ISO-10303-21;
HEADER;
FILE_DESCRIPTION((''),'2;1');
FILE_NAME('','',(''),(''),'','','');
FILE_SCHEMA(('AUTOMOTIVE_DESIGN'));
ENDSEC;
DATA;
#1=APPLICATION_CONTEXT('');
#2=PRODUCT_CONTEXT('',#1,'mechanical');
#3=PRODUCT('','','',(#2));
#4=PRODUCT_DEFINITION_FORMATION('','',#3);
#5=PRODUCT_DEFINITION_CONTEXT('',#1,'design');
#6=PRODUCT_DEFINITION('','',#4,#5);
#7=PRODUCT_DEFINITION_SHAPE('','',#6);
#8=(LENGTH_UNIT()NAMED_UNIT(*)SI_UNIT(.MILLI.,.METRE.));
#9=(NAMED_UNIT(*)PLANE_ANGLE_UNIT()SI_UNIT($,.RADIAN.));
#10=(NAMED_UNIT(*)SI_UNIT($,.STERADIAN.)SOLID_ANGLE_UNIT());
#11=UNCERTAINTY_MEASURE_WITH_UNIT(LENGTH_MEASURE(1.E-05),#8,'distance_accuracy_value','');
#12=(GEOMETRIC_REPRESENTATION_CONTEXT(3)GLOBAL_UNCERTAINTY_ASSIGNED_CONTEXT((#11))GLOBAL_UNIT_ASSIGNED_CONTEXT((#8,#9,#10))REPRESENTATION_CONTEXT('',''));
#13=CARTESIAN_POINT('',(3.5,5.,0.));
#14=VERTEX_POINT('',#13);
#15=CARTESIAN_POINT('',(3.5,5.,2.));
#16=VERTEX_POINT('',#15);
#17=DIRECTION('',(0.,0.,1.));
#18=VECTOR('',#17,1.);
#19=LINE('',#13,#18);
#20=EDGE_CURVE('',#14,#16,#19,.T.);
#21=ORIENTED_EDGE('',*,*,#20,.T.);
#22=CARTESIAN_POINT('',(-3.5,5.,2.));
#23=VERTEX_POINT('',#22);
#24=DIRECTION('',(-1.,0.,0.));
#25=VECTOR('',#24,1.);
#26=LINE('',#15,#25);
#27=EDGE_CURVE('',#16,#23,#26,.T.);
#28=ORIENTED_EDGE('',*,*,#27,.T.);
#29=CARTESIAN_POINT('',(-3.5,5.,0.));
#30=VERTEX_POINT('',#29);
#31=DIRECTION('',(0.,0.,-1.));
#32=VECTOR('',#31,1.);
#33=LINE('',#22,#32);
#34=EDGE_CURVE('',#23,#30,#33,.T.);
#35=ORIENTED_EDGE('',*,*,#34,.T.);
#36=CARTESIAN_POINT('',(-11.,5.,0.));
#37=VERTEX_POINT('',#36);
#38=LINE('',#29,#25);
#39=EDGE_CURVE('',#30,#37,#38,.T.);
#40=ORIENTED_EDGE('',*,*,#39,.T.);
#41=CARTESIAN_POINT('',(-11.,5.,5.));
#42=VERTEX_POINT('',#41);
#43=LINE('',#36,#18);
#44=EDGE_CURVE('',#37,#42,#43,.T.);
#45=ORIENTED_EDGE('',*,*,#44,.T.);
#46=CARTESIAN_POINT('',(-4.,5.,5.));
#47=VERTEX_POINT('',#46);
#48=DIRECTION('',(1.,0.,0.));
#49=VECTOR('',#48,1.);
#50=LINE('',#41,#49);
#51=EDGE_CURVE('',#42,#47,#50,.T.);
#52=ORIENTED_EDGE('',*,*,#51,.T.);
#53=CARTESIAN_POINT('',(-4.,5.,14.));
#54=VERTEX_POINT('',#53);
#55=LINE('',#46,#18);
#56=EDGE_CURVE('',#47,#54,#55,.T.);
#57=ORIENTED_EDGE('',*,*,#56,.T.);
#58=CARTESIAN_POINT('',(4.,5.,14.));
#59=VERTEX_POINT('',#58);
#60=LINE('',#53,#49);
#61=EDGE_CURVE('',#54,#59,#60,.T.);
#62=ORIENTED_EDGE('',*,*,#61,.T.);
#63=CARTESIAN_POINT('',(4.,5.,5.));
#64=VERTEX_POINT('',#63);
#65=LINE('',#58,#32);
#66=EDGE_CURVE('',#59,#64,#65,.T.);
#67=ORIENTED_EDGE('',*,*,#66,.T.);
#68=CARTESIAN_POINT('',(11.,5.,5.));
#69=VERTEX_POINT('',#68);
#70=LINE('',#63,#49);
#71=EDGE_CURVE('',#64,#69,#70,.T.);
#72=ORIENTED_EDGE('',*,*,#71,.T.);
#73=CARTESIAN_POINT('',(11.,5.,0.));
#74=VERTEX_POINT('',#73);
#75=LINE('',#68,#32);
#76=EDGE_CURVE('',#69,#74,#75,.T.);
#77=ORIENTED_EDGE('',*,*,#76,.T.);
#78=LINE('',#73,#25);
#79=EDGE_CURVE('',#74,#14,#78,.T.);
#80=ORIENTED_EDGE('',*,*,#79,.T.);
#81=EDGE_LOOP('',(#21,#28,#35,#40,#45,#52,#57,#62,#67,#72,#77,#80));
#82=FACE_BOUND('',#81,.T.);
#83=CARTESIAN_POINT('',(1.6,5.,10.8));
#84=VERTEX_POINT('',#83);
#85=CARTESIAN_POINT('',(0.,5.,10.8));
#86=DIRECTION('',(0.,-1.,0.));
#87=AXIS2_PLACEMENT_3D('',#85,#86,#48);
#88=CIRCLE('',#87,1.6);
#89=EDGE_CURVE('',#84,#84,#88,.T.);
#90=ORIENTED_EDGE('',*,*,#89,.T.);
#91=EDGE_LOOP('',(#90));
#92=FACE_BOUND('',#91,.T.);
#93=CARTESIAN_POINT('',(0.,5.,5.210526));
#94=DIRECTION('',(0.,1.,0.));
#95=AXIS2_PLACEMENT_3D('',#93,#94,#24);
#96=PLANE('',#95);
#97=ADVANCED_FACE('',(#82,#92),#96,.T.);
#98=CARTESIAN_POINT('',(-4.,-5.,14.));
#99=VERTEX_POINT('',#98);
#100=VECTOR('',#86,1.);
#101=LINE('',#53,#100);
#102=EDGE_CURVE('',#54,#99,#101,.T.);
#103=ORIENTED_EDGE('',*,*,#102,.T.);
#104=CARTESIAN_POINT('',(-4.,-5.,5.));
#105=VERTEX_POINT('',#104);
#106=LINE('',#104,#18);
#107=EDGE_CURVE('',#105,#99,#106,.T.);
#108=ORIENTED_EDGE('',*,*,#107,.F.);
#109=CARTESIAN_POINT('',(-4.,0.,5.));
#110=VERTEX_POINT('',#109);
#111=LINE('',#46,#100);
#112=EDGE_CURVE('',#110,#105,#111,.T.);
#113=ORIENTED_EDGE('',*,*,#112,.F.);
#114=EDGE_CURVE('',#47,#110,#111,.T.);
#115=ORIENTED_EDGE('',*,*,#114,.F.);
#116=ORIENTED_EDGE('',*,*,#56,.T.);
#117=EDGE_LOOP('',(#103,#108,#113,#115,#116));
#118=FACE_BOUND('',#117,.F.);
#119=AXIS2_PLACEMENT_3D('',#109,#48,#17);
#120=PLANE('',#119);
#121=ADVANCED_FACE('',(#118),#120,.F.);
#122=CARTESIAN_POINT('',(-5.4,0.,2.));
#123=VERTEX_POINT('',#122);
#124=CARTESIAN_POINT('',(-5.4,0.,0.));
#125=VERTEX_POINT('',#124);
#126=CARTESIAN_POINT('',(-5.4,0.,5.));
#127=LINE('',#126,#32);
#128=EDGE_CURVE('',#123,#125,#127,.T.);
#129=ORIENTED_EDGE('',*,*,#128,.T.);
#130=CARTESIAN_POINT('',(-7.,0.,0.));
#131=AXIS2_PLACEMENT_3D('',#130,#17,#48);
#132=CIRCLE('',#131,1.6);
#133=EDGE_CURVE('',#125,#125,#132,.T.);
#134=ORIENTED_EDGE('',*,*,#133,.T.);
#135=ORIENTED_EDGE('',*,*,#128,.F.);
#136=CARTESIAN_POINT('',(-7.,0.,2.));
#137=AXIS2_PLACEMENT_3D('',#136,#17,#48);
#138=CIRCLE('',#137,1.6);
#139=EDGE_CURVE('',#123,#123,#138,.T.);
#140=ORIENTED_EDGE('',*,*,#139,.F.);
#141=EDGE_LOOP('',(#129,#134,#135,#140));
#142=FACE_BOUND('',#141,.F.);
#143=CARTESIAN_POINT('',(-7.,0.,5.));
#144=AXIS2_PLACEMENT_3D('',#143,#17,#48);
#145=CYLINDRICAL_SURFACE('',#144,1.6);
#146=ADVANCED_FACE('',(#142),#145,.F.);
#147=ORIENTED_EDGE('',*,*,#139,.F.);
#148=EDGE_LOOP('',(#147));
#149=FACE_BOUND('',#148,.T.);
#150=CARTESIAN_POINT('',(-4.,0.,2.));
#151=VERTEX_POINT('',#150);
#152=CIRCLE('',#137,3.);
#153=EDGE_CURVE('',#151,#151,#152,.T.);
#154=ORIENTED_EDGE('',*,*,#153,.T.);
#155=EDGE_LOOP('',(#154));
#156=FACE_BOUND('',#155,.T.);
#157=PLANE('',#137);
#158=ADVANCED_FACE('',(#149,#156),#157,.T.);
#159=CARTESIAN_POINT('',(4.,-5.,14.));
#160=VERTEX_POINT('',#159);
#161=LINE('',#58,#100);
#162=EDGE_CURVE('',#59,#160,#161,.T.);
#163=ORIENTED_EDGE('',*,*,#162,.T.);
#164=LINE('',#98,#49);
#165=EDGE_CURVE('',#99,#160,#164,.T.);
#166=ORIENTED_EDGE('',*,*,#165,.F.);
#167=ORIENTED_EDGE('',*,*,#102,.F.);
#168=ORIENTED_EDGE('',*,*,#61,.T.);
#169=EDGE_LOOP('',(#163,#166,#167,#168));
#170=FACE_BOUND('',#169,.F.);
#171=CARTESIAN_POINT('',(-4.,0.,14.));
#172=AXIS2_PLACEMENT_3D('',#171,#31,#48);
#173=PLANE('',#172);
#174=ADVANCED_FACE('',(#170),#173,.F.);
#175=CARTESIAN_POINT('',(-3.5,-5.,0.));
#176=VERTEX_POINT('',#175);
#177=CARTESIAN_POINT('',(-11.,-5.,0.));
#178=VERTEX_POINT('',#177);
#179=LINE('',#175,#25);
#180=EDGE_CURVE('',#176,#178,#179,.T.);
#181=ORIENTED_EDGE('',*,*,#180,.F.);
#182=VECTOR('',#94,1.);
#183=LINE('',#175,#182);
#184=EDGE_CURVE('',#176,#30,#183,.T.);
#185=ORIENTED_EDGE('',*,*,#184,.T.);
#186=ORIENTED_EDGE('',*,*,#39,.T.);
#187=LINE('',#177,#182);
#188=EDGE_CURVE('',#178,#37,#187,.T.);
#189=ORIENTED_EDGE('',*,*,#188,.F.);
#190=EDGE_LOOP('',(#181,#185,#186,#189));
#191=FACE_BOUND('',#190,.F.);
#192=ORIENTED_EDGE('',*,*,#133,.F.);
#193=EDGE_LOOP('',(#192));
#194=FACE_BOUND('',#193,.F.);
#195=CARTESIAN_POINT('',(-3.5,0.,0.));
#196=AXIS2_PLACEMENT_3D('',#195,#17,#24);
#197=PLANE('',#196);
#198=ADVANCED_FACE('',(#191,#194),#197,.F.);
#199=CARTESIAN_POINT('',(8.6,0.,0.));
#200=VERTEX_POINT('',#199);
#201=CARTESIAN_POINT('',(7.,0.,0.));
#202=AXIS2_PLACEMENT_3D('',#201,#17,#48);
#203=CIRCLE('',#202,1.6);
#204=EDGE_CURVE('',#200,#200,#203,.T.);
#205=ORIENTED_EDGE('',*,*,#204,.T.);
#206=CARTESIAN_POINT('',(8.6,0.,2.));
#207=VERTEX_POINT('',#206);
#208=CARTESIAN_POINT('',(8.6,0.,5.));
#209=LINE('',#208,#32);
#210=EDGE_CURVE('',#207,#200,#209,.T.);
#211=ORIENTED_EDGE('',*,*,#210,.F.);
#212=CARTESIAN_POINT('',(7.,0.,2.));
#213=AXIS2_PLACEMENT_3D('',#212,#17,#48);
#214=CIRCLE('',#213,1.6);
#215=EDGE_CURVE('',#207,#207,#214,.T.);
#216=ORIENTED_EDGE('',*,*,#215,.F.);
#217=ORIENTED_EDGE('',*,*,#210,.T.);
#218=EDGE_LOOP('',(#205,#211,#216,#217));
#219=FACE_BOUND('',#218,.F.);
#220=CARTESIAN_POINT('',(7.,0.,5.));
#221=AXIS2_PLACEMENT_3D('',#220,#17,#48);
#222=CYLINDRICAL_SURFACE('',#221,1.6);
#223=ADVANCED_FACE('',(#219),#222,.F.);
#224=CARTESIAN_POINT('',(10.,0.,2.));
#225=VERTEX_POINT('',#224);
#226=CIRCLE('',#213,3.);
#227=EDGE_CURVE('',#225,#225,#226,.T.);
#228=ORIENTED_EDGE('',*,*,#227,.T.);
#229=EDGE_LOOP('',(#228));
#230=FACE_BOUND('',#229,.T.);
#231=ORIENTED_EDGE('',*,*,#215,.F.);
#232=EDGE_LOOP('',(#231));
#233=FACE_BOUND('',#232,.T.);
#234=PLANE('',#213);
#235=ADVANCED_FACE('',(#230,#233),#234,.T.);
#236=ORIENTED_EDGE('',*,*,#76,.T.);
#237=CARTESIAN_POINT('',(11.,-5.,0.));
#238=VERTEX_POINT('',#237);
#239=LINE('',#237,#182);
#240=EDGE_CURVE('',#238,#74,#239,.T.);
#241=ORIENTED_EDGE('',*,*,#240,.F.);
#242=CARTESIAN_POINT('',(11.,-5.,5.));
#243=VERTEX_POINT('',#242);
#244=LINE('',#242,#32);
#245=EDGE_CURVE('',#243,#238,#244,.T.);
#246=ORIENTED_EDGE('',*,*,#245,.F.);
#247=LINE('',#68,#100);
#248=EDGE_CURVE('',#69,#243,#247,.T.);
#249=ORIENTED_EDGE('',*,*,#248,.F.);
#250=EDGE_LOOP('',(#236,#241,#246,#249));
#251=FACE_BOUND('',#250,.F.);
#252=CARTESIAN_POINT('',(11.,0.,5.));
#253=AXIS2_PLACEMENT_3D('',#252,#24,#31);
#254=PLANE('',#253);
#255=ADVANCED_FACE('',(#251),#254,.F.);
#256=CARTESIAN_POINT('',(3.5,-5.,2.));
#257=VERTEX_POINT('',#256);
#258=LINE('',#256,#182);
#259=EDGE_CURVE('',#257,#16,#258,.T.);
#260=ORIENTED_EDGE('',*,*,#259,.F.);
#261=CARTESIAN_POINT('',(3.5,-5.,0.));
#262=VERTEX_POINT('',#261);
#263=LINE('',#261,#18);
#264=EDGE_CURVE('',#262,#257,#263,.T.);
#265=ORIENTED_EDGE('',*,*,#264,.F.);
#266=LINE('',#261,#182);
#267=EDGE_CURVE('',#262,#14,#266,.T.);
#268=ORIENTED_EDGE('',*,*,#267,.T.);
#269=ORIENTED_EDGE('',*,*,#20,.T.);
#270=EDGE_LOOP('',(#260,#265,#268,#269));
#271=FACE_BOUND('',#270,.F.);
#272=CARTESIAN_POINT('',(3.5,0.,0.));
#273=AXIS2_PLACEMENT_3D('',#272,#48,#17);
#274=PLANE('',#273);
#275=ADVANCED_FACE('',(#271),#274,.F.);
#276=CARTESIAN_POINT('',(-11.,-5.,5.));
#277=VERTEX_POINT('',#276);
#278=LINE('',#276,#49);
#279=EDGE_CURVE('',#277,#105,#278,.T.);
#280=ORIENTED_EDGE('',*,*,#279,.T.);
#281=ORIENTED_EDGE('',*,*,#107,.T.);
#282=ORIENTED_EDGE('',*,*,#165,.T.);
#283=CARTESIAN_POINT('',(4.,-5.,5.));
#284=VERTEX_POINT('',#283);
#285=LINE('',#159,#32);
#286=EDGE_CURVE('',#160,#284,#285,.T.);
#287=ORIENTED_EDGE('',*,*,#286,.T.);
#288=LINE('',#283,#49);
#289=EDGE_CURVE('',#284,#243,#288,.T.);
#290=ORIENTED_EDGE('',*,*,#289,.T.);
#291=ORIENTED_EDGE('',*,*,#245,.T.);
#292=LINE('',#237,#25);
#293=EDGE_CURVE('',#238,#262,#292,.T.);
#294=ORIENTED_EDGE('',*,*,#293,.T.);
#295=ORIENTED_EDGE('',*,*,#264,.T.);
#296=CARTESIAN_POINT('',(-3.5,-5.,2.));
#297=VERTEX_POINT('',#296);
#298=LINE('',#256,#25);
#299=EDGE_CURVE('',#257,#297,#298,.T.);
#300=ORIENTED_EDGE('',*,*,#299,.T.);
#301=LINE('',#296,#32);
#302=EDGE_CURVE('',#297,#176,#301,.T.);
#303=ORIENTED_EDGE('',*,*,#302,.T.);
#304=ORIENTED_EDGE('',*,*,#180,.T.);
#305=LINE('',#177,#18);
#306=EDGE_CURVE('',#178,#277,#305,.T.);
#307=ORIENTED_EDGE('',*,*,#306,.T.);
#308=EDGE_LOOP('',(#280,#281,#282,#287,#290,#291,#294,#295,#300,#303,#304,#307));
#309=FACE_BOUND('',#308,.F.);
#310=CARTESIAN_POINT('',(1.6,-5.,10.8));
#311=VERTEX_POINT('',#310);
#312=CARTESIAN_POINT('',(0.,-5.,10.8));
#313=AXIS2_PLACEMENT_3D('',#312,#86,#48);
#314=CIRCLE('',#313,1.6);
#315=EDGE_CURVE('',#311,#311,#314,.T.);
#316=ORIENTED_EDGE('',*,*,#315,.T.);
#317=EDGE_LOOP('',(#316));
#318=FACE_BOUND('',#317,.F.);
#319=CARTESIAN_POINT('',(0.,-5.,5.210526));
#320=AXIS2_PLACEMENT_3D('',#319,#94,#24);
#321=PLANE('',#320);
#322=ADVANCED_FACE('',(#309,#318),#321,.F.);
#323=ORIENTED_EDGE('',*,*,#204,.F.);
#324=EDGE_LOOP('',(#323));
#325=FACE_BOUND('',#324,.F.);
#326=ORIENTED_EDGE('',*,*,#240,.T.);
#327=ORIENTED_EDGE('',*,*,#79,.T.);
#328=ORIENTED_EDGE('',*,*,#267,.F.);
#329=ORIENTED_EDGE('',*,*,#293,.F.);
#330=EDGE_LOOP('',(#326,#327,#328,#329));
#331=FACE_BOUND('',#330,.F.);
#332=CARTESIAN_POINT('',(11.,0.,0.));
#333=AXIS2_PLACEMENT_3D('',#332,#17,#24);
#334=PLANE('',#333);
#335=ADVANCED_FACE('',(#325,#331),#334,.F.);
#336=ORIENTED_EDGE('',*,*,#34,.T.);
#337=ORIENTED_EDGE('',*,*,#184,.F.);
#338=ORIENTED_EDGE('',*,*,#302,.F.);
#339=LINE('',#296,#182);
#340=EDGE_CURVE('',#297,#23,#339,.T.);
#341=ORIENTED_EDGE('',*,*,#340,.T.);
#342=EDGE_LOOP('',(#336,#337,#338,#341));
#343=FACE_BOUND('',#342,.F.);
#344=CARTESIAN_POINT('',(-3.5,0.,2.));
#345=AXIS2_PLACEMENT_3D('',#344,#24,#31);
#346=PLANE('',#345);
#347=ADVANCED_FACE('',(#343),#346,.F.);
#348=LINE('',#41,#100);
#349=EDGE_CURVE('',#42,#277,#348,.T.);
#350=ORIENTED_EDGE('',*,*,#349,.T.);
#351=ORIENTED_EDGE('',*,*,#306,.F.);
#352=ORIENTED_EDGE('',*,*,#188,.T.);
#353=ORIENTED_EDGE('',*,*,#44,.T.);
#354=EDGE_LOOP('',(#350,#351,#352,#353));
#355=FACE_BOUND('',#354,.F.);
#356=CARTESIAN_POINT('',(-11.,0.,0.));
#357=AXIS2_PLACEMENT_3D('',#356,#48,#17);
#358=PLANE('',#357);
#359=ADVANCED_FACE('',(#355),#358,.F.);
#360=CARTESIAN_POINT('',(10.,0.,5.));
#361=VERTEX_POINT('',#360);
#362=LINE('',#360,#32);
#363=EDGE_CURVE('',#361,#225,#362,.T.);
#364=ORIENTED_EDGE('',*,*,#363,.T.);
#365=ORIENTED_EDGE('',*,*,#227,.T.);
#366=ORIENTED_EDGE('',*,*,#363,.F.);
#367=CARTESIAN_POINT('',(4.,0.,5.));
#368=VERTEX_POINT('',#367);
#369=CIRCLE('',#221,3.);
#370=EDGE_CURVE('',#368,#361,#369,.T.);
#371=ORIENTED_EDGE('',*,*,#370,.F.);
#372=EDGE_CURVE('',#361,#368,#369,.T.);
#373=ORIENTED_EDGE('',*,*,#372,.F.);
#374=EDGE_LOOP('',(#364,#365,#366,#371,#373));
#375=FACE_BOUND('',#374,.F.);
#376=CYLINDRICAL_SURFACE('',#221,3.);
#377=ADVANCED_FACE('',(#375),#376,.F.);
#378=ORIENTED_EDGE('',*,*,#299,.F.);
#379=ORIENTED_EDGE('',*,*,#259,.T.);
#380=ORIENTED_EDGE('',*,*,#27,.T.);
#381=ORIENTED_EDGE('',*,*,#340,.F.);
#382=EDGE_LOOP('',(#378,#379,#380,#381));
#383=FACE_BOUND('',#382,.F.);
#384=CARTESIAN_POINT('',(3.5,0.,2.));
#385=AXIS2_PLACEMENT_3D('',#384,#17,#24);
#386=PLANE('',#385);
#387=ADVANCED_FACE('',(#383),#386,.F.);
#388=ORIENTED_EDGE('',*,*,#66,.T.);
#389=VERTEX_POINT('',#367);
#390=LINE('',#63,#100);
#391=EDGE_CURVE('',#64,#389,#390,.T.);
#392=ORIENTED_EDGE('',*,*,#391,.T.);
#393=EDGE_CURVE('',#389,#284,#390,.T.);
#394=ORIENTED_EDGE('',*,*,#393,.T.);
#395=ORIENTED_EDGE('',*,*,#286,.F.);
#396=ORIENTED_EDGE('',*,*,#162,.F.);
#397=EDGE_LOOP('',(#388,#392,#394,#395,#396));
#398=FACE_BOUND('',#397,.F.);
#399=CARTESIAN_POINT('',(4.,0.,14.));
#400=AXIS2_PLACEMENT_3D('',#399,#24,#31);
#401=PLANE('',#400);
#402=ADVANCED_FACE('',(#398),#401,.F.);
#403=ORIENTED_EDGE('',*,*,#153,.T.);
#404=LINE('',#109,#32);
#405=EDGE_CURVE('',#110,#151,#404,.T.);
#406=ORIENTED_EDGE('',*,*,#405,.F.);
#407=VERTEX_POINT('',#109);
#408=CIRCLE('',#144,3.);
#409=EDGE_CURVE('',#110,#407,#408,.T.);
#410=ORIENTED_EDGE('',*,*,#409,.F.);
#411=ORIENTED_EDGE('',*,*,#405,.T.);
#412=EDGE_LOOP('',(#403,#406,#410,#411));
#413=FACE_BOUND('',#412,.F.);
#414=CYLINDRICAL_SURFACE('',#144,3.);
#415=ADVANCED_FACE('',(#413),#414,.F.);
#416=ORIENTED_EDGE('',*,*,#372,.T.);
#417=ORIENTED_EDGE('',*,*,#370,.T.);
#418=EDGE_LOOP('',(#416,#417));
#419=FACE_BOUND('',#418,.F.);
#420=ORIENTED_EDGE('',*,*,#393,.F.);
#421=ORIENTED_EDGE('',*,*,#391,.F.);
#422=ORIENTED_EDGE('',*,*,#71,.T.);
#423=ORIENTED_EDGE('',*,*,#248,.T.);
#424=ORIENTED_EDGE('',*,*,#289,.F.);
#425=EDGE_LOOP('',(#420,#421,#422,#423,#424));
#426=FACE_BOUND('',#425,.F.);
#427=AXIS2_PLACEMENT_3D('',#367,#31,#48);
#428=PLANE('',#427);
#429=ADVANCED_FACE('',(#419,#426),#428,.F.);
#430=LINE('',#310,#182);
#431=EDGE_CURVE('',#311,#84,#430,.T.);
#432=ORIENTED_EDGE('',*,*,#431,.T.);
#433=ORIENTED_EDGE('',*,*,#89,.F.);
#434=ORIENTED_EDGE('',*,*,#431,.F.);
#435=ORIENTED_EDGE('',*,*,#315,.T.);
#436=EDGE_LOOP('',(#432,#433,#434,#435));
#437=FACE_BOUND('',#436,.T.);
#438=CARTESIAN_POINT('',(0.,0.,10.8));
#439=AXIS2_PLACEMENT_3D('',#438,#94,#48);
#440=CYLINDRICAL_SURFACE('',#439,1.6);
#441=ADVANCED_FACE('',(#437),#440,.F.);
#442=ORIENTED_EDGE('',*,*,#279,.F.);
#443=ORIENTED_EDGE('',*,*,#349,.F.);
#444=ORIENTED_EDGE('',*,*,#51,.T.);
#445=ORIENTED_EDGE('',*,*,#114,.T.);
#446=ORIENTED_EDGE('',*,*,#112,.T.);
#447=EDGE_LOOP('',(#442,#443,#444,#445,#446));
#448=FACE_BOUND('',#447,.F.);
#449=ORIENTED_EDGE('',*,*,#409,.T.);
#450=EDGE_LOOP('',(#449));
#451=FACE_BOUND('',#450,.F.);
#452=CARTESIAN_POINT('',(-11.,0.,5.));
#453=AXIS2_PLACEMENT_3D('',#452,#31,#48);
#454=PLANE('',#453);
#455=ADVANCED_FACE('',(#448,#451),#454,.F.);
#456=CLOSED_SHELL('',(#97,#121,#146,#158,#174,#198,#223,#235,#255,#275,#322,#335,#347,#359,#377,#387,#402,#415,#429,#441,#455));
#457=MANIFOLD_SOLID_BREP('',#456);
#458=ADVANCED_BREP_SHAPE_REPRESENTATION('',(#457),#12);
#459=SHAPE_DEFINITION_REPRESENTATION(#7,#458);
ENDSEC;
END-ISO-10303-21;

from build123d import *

# Parameters (mm, degrees)
SKETCH_R        = 1.6
PAD_DEPTH       = 5
SKETCH001_R     = 1.6
POCKET_DEPTH    = 5.001
SKETCH002_R     = 3
POCKET001_DEPTH = 3


with BuildPart() as part:
    # Sketch → Pad (new body, symmetric)
    with BuildSketch(Plane.XZ):
        Polygon((11, 5), (11, 0), (3.5, 0), (3.5, 2), (-3.5, 2), (-3.5, 0), (-11, 0), (-11, 5), (-4, 5), (-4, 14), (4, 14), (4, 5), align=None)
        with Locations((0, 10.8)):
            Circle(SKETCH_R, mode=Mode.SUBTRACT)
    extrude(amount=PAD_DEPTH, both=True)

    # Sketch001 (on DatumPlane) → Pocket (cut, through all)
    with BuildSketch(Plane.XY.offset(5)):
        with Locations((-7, 0)):
            Circle(SKETCH001_R)
        with Locations((7, 0)):
            Circle(SKETCH001_R)
    extrude(amount=-POCKET_DEPTH, mode=Mode.SUBTRACT)

    # Sketch002 (on DatumPlane) → Pocket001 (cut)
    with BuildSketch(Plane.XY.offset(5)):
        with Locations((-7, 0)):
            Circle(SKETCH002_R)
        with Locations((7, 0)):
            Circle(SKETCH002_R)
    extrude(amount=-POCKET001_DEPTH, mode=Mode.SUBTRACT)


solid = part.part
